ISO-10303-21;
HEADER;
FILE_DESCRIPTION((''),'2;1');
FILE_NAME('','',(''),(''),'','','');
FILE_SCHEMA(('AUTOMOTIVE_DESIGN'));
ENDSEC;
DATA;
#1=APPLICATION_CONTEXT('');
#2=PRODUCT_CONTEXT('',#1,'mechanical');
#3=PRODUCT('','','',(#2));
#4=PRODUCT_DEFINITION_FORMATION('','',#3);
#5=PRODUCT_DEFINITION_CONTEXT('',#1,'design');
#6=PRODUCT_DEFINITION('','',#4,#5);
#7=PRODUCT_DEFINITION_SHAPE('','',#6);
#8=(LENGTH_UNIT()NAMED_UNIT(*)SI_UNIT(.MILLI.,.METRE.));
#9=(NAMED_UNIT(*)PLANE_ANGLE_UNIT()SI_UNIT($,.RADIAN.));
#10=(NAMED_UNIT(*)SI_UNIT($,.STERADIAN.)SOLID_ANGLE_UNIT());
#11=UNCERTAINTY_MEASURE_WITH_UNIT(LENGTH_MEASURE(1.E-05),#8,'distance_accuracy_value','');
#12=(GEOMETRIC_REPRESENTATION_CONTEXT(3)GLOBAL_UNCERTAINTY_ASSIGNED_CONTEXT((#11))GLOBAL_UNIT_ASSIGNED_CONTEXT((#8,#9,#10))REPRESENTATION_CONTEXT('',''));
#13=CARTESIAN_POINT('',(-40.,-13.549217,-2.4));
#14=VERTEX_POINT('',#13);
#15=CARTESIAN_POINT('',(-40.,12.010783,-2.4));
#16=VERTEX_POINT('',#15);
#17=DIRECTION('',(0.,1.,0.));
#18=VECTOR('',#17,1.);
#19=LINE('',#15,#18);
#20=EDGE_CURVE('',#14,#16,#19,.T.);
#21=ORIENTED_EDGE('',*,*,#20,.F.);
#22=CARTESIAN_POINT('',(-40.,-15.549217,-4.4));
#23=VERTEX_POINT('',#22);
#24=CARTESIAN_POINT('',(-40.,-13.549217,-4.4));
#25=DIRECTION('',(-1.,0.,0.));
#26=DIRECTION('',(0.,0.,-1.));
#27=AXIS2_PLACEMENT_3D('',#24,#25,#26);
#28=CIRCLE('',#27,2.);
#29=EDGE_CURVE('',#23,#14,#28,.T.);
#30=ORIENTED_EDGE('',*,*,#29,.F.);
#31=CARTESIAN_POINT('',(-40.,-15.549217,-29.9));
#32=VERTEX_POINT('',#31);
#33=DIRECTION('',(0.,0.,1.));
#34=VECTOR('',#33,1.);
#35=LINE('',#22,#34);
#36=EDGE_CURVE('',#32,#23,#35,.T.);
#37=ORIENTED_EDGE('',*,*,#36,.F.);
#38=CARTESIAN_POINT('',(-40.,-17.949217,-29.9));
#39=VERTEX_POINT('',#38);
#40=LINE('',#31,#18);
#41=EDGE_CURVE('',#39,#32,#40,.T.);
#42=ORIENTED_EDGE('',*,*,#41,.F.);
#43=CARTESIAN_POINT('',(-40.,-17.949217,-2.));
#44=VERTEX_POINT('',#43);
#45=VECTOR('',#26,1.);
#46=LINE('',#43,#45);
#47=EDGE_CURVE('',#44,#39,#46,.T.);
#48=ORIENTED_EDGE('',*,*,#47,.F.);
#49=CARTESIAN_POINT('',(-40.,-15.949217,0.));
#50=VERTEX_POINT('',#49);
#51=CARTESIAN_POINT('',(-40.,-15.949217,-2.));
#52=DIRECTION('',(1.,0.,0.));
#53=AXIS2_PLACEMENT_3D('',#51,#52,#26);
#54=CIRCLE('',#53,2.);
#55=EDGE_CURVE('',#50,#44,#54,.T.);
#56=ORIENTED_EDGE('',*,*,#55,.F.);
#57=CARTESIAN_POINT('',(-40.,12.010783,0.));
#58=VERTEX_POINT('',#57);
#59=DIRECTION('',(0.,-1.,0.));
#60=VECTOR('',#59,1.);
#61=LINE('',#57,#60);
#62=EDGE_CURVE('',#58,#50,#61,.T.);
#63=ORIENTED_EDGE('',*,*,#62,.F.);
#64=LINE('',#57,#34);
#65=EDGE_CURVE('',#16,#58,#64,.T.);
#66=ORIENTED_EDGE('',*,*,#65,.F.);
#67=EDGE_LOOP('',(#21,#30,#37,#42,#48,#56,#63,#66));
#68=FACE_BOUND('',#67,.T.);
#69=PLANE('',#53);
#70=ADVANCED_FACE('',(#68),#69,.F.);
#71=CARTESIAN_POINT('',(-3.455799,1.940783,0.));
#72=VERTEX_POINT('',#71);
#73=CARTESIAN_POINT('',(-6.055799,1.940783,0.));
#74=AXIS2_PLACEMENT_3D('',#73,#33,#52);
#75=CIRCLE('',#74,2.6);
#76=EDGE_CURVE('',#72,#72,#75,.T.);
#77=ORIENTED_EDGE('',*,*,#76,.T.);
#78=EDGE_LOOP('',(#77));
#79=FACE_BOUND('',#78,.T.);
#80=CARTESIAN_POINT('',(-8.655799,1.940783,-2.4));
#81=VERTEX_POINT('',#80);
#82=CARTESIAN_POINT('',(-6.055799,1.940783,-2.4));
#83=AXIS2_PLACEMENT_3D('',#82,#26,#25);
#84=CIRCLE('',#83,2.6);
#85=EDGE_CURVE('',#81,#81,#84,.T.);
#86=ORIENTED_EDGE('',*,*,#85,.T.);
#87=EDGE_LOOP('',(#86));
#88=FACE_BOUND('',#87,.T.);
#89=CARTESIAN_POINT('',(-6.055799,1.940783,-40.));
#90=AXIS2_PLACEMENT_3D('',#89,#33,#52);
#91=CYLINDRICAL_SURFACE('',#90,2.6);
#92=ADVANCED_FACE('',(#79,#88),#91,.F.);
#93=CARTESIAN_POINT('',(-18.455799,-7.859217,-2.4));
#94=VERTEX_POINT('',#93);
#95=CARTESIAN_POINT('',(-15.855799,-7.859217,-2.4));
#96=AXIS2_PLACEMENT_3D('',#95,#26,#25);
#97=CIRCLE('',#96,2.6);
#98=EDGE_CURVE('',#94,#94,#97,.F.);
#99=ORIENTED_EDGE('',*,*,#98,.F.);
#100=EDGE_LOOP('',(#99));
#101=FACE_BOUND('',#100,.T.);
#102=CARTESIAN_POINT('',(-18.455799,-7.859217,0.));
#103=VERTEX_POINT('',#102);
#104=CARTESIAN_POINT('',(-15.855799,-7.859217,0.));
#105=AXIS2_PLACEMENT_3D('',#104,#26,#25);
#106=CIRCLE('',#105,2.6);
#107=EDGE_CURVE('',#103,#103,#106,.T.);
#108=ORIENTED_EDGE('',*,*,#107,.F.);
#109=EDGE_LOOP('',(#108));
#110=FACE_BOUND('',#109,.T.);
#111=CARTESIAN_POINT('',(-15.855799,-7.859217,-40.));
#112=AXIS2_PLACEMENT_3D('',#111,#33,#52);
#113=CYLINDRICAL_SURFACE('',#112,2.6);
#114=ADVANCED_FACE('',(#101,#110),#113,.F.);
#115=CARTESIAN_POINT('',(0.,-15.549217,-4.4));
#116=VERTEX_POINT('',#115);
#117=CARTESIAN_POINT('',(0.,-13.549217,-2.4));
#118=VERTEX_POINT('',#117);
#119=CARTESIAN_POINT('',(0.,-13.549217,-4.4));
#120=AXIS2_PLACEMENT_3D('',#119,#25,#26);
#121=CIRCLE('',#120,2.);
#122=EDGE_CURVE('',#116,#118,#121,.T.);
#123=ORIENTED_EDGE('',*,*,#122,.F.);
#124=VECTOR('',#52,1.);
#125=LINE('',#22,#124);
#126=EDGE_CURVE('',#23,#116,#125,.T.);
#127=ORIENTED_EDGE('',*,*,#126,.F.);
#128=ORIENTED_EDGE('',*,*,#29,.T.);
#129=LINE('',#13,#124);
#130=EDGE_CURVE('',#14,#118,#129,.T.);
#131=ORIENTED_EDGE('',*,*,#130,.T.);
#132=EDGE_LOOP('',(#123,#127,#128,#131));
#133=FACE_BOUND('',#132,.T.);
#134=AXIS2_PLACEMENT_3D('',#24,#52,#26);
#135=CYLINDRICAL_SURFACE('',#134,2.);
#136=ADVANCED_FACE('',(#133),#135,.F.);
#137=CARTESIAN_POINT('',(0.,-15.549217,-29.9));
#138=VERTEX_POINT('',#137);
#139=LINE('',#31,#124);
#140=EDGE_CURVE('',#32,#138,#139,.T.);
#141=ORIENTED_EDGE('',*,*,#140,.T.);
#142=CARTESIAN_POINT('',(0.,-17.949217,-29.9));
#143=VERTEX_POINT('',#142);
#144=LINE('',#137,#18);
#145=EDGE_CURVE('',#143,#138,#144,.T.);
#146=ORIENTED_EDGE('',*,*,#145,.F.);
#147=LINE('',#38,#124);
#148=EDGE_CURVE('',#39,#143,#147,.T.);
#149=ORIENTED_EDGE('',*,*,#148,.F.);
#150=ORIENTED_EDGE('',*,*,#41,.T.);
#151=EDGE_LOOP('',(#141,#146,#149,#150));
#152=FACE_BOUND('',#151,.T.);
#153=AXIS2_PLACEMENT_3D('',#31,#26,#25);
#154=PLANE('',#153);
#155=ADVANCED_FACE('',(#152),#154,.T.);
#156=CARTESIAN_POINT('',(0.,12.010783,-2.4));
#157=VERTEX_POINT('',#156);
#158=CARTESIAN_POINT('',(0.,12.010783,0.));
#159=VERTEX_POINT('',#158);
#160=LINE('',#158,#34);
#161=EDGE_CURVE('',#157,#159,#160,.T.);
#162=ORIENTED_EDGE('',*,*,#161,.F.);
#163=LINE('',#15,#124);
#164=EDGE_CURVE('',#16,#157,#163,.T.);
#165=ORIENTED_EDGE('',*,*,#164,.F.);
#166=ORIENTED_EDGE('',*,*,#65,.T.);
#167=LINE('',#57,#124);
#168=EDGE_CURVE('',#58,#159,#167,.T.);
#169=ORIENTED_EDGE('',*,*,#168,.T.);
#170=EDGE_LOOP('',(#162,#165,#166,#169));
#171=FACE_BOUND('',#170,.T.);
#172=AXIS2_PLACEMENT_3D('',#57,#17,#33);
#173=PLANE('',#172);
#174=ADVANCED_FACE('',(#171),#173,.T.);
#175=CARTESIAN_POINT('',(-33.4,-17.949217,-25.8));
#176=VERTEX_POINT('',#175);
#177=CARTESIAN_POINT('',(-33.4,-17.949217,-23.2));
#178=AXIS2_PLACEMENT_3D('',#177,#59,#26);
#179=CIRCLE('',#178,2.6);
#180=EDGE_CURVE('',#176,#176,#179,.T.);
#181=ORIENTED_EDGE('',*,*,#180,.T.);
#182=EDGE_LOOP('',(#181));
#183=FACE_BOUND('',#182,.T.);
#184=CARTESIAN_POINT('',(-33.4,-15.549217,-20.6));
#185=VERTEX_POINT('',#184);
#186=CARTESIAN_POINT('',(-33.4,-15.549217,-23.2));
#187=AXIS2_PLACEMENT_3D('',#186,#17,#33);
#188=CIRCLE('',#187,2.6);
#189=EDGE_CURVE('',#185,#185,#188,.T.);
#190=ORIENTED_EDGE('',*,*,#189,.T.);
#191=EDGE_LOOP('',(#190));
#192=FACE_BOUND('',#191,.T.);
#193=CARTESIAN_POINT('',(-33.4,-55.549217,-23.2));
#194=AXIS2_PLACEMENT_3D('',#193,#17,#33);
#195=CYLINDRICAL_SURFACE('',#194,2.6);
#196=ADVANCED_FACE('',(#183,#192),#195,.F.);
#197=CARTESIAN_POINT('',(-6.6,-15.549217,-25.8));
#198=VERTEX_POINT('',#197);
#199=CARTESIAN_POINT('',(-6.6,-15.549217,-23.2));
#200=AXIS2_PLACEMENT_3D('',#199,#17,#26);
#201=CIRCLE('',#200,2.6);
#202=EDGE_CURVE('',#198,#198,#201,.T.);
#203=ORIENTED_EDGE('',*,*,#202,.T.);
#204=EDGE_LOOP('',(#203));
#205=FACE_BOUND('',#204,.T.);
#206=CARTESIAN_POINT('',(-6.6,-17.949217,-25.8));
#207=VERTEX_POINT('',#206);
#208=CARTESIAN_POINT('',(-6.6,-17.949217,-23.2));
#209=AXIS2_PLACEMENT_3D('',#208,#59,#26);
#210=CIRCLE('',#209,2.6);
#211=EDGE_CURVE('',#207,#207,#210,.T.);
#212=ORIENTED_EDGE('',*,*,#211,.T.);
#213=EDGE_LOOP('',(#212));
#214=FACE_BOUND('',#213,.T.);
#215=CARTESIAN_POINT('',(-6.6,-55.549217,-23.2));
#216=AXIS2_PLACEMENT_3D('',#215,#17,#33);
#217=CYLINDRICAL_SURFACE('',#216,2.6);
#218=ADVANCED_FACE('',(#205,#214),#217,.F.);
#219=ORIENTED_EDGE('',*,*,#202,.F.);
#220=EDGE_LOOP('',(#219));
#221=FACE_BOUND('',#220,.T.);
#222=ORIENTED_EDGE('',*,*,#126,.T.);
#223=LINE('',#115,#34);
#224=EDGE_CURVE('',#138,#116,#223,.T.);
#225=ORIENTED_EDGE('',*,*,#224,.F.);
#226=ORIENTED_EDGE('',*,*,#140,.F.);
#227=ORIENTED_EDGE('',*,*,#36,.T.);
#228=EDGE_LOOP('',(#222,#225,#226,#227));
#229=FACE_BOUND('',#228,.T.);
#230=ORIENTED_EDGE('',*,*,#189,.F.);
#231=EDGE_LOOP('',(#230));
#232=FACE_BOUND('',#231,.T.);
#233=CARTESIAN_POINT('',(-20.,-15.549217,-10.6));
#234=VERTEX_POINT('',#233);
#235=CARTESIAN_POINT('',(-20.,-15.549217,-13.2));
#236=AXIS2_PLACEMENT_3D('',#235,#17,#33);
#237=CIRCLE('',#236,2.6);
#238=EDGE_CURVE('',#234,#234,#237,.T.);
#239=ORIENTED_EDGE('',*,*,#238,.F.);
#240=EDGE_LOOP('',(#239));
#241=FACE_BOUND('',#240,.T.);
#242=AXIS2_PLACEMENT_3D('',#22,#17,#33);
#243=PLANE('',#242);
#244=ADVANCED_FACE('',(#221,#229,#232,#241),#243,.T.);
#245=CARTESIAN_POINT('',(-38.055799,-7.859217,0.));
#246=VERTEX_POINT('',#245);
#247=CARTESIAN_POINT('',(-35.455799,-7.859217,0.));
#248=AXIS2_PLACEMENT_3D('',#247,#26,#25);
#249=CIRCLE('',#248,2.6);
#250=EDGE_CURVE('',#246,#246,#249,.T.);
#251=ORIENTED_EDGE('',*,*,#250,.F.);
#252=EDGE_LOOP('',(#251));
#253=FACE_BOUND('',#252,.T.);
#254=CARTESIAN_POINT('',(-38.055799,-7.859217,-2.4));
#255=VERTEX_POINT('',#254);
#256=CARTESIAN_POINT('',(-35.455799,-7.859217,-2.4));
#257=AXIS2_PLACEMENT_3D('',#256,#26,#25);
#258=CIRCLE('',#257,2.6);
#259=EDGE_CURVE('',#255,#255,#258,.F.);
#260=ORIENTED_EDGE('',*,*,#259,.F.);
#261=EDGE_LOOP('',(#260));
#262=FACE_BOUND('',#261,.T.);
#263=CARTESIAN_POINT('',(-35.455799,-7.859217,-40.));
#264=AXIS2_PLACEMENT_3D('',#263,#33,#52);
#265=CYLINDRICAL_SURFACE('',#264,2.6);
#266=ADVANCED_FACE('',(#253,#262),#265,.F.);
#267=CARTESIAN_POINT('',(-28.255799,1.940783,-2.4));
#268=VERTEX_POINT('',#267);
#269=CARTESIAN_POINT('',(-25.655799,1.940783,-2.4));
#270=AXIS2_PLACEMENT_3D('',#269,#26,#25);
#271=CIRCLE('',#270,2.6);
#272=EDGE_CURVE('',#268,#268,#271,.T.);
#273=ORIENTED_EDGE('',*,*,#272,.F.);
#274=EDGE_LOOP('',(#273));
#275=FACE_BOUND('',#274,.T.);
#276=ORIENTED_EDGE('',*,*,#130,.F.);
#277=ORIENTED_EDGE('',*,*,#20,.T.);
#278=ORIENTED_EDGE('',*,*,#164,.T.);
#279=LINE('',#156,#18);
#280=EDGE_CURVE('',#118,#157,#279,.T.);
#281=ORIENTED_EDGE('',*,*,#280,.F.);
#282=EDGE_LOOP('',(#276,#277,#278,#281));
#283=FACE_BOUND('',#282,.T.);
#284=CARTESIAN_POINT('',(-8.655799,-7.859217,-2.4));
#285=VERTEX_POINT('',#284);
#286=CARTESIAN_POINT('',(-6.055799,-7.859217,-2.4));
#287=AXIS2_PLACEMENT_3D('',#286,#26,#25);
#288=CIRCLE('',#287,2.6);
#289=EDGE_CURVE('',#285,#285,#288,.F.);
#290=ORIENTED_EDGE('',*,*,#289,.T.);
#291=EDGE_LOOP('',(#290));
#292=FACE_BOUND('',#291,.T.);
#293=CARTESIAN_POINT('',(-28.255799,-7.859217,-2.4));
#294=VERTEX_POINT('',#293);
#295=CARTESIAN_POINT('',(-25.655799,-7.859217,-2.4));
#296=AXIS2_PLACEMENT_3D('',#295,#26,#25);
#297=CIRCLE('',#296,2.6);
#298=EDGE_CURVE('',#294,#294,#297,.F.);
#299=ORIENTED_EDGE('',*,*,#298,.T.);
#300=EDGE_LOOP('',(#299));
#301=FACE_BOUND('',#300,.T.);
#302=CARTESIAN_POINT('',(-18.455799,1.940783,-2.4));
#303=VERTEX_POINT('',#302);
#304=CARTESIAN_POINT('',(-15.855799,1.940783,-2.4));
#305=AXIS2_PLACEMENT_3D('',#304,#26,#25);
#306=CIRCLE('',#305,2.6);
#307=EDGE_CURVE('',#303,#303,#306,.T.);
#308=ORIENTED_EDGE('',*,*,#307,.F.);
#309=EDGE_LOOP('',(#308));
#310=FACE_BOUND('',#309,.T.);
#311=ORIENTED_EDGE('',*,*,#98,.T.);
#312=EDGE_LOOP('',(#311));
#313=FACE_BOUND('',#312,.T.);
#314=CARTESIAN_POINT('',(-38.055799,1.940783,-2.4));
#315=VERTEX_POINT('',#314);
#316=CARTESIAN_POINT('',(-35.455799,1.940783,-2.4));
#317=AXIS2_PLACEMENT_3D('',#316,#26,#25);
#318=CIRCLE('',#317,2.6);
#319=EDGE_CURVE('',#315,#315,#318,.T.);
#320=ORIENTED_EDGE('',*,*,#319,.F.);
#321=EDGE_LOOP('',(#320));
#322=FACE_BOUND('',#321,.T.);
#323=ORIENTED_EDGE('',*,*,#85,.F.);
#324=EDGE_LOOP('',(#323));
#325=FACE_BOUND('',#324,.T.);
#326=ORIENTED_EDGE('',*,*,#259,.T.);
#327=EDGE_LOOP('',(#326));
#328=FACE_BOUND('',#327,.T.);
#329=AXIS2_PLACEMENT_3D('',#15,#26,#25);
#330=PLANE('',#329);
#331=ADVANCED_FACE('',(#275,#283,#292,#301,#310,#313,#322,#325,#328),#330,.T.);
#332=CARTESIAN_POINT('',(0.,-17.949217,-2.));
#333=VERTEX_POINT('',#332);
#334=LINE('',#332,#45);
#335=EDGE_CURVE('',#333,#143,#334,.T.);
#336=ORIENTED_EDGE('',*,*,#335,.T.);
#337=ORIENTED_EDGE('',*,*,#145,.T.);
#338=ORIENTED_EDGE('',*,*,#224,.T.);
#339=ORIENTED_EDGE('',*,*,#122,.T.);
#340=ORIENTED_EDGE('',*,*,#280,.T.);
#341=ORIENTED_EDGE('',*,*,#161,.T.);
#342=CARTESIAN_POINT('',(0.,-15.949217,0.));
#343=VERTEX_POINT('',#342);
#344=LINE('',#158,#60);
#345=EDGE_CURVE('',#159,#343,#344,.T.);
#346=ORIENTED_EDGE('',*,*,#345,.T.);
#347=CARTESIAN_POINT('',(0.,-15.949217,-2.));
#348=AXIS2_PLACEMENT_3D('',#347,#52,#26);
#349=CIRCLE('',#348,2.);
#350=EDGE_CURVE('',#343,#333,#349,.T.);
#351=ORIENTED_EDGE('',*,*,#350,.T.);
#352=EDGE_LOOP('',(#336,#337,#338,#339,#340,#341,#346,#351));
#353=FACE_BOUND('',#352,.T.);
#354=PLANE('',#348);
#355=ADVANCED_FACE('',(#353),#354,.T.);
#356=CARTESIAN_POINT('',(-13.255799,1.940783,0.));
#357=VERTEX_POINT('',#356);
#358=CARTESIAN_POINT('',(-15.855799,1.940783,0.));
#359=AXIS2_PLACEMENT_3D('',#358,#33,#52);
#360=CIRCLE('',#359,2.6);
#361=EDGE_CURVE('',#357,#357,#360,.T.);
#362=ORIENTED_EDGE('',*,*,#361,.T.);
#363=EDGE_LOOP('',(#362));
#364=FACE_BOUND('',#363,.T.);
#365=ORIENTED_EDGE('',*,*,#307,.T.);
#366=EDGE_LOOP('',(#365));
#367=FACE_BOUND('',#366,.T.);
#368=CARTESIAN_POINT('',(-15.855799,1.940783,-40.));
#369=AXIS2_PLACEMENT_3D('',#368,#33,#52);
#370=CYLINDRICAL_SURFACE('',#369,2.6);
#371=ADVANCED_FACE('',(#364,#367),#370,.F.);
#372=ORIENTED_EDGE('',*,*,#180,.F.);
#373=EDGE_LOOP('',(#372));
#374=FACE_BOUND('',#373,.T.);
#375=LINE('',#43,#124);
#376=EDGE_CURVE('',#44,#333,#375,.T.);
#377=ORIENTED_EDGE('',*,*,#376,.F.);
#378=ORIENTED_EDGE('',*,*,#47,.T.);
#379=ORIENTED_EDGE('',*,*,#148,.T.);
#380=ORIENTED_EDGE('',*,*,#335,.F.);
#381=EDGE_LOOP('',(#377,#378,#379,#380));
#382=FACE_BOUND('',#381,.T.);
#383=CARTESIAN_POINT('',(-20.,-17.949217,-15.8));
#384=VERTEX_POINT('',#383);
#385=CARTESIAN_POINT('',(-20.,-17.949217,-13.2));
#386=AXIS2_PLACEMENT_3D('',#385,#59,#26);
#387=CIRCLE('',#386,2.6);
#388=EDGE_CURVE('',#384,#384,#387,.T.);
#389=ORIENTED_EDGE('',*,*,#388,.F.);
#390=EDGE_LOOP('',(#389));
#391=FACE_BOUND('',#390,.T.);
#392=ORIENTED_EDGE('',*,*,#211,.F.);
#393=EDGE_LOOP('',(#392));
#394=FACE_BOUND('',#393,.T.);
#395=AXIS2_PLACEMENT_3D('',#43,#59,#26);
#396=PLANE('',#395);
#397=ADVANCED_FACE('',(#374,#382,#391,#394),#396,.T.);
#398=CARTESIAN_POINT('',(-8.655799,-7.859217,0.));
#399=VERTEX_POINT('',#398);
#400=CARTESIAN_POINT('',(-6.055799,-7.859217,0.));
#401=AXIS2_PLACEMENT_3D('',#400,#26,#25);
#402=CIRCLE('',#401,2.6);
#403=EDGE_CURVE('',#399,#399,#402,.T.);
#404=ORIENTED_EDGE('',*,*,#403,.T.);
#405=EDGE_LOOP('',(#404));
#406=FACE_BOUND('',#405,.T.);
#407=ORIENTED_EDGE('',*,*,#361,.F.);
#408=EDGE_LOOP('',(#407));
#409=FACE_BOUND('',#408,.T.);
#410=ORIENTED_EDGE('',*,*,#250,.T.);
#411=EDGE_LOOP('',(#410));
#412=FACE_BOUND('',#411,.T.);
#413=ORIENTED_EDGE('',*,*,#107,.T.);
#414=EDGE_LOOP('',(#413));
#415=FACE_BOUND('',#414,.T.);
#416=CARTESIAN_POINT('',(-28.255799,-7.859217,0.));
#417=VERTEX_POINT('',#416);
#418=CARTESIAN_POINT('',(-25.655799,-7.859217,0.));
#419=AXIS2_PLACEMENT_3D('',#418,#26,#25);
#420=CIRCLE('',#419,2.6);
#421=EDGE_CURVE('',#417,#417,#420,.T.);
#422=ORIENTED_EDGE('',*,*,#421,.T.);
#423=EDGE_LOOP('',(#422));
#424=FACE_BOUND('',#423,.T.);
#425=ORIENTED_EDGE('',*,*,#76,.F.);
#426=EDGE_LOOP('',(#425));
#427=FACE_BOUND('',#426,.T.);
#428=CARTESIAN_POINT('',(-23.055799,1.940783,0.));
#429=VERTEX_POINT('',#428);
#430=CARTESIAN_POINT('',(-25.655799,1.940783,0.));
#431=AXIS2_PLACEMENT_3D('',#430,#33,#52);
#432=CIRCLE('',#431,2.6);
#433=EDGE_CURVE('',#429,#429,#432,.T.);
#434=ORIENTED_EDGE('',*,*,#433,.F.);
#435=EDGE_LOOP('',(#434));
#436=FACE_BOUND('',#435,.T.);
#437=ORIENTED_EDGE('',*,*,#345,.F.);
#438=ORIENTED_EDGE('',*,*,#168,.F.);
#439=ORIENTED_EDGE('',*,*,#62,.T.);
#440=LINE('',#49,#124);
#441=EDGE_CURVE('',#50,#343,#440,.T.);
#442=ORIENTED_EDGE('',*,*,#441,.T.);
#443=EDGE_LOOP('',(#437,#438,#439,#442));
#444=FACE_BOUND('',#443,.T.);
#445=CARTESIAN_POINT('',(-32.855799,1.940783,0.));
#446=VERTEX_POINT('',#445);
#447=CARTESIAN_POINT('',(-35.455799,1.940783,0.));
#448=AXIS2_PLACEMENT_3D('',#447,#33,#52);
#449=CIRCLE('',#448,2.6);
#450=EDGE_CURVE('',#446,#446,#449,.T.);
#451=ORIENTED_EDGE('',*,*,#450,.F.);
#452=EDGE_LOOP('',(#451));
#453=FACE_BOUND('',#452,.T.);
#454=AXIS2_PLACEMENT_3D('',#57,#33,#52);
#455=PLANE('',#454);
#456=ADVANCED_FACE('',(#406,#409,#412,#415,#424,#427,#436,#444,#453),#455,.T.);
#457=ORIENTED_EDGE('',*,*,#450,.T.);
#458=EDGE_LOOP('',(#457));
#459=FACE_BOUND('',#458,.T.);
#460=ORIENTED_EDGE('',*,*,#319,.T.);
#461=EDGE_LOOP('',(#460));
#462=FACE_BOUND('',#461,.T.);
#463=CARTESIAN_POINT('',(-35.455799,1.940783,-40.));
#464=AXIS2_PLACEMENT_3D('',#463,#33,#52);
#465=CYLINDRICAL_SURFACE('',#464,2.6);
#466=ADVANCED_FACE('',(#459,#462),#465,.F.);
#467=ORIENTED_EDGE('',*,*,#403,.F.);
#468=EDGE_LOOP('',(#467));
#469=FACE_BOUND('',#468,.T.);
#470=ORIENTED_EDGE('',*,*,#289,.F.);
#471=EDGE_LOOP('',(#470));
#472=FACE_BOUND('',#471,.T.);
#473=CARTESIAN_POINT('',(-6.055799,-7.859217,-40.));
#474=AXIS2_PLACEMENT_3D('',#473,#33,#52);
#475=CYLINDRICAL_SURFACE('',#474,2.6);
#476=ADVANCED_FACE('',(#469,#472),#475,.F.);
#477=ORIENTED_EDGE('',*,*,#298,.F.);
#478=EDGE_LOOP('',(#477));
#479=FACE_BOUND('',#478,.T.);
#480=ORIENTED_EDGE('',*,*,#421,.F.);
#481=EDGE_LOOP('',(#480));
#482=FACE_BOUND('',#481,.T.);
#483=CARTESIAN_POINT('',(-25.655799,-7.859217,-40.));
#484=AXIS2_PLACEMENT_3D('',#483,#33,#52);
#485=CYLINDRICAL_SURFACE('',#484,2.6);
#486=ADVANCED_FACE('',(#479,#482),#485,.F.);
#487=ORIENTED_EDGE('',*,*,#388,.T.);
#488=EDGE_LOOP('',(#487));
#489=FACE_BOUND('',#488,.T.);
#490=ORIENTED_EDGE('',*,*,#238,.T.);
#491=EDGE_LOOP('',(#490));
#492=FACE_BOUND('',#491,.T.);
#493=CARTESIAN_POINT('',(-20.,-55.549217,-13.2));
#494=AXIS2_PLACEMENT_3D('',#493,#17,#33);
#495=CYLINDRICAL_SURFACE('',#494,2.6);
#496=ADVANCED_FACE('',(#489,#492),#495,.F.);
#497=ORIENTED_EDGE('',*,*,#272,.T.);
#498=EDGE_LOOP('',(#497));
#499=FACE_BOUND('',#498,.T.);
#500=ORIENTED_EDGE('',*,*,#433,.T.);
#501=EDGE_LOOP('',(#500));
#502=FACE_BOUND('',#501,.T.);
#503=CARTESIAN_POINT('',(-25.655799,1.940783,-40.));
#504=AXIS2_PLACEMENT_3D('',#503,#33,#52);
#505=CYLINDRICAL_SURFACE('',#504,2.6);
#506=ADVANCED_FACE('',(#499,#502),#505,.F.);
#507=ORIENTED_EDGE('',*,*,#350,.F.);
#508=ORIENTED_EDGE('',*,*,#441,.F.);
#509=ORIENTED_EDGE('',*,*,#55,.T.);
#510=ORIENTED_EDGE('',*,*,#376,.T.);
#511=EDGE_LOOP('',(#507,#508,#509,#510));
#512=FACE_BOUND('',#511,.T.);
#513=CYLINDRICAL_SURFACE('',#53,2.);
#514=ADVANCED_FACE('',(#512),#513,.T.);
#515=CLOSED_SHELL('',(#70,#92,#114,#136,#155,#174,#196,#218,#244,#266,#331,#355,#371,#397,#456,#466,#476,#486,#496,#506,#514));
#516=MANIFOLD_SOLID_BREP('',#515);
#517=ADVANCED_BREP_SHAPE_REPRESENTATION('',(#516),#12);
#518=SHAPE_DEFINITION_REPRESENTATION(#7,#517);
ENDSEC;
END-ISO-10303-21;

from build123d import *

# Parameters (mm, degrees)
BOSS_EXTRUDE2_DEPTH = 40
SKETCH1_R           = 2.6
CUT_EXTRUDE4_DEPTH  = 40
SKETCH5_R           = 2.6
CUT_EXTRUDE5_DEPTH  = 40


with BuildPart() as part:
    # Sketch3 → Boss-Extrude2 (new body)
    with BuildSketch(Plane(origin=(0, 0, 0), x_dir=(0, 0, -1), z_dir=(1, 0, 0))):
        with BuildLine():
            Line((2, -17.949216757), (29.9, -17.949216757))
            Line((29.9, -17.949216757), (29.9, -15.549216757))
            Line((29.9, -15.549216757), (4.4, -15.549216757))
            ThreePointArc((4.4, -15.549216757), (2.985786438, -14.963430319), (2.4, -13.549216757))
            Line((2.4, -13.549216757), (2.4, 12.010783243))
            Line((2.4, 12.010783243), (0, 12.010783243))
            Line((0, 12.010783243), (0, -15.949216757))
            ThreePointArc((0, -15.949216757), (0.585786438, -17.363430319), (2, -17.949216757))
        make_face()
    extrude(amount=-BOSS_EXTRUDE2_DEPTH)

    # Sketch1 → Cut-Extrude4 (cut)
    with BuildSketch(Plane.XY):
        with Locations((-35.455799348, 1.940783243)):
            Circle(SKETCH1_R)
        with Locations((-25.655799348, 1.940783243)):
            Circle(SKETCH1_R)
        with Locations((-15.855799348, 1.940783243)):
            Circle(SKETCH1_R)
        with Locations((-6.055799348, 1.940783243)):
            Circle(SKETCH1_R)
        with Locations(Location((-6.055799348, -7.859216757, 0), (0, 0, 180))):  # turned: the seam where the file's is
            Circle(SKETCH1_R)
        with Locations(Location((-15.855799348, -7.859216757, 0), (0, 0, 180))):  # turned: the seam where the file's is
            Circle(SKETCH1_R)
        with Locations(Location((-25.655799348, -7.859216757, 0), (0, 0, 180))):  # turned: the seam where the file's is
            Circle(SKETCH1_R)
        with Locations(Location((-35.455799348, -7.859216757, 0), (0, 0, 180))):  # turned: the seam where the file's is
            Circle(SKETCH1_R)
    extrude(amount=-CUT_EXTRUDE4_DEPTH, mode=Mode.SUBTRACT)

    # Sketch5 → Cut-Extrude5 (cut)
    with BuildSketch(Plane(origin=(0, -15.549216757, 0), x_dir=(1, 0, 0), z_dir=(0, 1, 0))):
        with Locations(Location((-33.4, 23.2, 0), (0, 0, 270))):  # turned: the seam where the file's is
            Circle(SKETCH5_R)
        with Locations(Location((-6.6, 23.2, 0), (0, 0, 90))):  # turned: the seam where the file's is
            Circle(SKETCH5_R)
        with Locations(Location((-20, 13.2, 0), (0, 0, 270))):  # turned: the seam where the file's is
            Circle(SKETCH5_R)
    extrude(amount=-CUT_EXTRUDE5_DEPTH, mode=Mode.SUBTRACT)


solid = part.part
